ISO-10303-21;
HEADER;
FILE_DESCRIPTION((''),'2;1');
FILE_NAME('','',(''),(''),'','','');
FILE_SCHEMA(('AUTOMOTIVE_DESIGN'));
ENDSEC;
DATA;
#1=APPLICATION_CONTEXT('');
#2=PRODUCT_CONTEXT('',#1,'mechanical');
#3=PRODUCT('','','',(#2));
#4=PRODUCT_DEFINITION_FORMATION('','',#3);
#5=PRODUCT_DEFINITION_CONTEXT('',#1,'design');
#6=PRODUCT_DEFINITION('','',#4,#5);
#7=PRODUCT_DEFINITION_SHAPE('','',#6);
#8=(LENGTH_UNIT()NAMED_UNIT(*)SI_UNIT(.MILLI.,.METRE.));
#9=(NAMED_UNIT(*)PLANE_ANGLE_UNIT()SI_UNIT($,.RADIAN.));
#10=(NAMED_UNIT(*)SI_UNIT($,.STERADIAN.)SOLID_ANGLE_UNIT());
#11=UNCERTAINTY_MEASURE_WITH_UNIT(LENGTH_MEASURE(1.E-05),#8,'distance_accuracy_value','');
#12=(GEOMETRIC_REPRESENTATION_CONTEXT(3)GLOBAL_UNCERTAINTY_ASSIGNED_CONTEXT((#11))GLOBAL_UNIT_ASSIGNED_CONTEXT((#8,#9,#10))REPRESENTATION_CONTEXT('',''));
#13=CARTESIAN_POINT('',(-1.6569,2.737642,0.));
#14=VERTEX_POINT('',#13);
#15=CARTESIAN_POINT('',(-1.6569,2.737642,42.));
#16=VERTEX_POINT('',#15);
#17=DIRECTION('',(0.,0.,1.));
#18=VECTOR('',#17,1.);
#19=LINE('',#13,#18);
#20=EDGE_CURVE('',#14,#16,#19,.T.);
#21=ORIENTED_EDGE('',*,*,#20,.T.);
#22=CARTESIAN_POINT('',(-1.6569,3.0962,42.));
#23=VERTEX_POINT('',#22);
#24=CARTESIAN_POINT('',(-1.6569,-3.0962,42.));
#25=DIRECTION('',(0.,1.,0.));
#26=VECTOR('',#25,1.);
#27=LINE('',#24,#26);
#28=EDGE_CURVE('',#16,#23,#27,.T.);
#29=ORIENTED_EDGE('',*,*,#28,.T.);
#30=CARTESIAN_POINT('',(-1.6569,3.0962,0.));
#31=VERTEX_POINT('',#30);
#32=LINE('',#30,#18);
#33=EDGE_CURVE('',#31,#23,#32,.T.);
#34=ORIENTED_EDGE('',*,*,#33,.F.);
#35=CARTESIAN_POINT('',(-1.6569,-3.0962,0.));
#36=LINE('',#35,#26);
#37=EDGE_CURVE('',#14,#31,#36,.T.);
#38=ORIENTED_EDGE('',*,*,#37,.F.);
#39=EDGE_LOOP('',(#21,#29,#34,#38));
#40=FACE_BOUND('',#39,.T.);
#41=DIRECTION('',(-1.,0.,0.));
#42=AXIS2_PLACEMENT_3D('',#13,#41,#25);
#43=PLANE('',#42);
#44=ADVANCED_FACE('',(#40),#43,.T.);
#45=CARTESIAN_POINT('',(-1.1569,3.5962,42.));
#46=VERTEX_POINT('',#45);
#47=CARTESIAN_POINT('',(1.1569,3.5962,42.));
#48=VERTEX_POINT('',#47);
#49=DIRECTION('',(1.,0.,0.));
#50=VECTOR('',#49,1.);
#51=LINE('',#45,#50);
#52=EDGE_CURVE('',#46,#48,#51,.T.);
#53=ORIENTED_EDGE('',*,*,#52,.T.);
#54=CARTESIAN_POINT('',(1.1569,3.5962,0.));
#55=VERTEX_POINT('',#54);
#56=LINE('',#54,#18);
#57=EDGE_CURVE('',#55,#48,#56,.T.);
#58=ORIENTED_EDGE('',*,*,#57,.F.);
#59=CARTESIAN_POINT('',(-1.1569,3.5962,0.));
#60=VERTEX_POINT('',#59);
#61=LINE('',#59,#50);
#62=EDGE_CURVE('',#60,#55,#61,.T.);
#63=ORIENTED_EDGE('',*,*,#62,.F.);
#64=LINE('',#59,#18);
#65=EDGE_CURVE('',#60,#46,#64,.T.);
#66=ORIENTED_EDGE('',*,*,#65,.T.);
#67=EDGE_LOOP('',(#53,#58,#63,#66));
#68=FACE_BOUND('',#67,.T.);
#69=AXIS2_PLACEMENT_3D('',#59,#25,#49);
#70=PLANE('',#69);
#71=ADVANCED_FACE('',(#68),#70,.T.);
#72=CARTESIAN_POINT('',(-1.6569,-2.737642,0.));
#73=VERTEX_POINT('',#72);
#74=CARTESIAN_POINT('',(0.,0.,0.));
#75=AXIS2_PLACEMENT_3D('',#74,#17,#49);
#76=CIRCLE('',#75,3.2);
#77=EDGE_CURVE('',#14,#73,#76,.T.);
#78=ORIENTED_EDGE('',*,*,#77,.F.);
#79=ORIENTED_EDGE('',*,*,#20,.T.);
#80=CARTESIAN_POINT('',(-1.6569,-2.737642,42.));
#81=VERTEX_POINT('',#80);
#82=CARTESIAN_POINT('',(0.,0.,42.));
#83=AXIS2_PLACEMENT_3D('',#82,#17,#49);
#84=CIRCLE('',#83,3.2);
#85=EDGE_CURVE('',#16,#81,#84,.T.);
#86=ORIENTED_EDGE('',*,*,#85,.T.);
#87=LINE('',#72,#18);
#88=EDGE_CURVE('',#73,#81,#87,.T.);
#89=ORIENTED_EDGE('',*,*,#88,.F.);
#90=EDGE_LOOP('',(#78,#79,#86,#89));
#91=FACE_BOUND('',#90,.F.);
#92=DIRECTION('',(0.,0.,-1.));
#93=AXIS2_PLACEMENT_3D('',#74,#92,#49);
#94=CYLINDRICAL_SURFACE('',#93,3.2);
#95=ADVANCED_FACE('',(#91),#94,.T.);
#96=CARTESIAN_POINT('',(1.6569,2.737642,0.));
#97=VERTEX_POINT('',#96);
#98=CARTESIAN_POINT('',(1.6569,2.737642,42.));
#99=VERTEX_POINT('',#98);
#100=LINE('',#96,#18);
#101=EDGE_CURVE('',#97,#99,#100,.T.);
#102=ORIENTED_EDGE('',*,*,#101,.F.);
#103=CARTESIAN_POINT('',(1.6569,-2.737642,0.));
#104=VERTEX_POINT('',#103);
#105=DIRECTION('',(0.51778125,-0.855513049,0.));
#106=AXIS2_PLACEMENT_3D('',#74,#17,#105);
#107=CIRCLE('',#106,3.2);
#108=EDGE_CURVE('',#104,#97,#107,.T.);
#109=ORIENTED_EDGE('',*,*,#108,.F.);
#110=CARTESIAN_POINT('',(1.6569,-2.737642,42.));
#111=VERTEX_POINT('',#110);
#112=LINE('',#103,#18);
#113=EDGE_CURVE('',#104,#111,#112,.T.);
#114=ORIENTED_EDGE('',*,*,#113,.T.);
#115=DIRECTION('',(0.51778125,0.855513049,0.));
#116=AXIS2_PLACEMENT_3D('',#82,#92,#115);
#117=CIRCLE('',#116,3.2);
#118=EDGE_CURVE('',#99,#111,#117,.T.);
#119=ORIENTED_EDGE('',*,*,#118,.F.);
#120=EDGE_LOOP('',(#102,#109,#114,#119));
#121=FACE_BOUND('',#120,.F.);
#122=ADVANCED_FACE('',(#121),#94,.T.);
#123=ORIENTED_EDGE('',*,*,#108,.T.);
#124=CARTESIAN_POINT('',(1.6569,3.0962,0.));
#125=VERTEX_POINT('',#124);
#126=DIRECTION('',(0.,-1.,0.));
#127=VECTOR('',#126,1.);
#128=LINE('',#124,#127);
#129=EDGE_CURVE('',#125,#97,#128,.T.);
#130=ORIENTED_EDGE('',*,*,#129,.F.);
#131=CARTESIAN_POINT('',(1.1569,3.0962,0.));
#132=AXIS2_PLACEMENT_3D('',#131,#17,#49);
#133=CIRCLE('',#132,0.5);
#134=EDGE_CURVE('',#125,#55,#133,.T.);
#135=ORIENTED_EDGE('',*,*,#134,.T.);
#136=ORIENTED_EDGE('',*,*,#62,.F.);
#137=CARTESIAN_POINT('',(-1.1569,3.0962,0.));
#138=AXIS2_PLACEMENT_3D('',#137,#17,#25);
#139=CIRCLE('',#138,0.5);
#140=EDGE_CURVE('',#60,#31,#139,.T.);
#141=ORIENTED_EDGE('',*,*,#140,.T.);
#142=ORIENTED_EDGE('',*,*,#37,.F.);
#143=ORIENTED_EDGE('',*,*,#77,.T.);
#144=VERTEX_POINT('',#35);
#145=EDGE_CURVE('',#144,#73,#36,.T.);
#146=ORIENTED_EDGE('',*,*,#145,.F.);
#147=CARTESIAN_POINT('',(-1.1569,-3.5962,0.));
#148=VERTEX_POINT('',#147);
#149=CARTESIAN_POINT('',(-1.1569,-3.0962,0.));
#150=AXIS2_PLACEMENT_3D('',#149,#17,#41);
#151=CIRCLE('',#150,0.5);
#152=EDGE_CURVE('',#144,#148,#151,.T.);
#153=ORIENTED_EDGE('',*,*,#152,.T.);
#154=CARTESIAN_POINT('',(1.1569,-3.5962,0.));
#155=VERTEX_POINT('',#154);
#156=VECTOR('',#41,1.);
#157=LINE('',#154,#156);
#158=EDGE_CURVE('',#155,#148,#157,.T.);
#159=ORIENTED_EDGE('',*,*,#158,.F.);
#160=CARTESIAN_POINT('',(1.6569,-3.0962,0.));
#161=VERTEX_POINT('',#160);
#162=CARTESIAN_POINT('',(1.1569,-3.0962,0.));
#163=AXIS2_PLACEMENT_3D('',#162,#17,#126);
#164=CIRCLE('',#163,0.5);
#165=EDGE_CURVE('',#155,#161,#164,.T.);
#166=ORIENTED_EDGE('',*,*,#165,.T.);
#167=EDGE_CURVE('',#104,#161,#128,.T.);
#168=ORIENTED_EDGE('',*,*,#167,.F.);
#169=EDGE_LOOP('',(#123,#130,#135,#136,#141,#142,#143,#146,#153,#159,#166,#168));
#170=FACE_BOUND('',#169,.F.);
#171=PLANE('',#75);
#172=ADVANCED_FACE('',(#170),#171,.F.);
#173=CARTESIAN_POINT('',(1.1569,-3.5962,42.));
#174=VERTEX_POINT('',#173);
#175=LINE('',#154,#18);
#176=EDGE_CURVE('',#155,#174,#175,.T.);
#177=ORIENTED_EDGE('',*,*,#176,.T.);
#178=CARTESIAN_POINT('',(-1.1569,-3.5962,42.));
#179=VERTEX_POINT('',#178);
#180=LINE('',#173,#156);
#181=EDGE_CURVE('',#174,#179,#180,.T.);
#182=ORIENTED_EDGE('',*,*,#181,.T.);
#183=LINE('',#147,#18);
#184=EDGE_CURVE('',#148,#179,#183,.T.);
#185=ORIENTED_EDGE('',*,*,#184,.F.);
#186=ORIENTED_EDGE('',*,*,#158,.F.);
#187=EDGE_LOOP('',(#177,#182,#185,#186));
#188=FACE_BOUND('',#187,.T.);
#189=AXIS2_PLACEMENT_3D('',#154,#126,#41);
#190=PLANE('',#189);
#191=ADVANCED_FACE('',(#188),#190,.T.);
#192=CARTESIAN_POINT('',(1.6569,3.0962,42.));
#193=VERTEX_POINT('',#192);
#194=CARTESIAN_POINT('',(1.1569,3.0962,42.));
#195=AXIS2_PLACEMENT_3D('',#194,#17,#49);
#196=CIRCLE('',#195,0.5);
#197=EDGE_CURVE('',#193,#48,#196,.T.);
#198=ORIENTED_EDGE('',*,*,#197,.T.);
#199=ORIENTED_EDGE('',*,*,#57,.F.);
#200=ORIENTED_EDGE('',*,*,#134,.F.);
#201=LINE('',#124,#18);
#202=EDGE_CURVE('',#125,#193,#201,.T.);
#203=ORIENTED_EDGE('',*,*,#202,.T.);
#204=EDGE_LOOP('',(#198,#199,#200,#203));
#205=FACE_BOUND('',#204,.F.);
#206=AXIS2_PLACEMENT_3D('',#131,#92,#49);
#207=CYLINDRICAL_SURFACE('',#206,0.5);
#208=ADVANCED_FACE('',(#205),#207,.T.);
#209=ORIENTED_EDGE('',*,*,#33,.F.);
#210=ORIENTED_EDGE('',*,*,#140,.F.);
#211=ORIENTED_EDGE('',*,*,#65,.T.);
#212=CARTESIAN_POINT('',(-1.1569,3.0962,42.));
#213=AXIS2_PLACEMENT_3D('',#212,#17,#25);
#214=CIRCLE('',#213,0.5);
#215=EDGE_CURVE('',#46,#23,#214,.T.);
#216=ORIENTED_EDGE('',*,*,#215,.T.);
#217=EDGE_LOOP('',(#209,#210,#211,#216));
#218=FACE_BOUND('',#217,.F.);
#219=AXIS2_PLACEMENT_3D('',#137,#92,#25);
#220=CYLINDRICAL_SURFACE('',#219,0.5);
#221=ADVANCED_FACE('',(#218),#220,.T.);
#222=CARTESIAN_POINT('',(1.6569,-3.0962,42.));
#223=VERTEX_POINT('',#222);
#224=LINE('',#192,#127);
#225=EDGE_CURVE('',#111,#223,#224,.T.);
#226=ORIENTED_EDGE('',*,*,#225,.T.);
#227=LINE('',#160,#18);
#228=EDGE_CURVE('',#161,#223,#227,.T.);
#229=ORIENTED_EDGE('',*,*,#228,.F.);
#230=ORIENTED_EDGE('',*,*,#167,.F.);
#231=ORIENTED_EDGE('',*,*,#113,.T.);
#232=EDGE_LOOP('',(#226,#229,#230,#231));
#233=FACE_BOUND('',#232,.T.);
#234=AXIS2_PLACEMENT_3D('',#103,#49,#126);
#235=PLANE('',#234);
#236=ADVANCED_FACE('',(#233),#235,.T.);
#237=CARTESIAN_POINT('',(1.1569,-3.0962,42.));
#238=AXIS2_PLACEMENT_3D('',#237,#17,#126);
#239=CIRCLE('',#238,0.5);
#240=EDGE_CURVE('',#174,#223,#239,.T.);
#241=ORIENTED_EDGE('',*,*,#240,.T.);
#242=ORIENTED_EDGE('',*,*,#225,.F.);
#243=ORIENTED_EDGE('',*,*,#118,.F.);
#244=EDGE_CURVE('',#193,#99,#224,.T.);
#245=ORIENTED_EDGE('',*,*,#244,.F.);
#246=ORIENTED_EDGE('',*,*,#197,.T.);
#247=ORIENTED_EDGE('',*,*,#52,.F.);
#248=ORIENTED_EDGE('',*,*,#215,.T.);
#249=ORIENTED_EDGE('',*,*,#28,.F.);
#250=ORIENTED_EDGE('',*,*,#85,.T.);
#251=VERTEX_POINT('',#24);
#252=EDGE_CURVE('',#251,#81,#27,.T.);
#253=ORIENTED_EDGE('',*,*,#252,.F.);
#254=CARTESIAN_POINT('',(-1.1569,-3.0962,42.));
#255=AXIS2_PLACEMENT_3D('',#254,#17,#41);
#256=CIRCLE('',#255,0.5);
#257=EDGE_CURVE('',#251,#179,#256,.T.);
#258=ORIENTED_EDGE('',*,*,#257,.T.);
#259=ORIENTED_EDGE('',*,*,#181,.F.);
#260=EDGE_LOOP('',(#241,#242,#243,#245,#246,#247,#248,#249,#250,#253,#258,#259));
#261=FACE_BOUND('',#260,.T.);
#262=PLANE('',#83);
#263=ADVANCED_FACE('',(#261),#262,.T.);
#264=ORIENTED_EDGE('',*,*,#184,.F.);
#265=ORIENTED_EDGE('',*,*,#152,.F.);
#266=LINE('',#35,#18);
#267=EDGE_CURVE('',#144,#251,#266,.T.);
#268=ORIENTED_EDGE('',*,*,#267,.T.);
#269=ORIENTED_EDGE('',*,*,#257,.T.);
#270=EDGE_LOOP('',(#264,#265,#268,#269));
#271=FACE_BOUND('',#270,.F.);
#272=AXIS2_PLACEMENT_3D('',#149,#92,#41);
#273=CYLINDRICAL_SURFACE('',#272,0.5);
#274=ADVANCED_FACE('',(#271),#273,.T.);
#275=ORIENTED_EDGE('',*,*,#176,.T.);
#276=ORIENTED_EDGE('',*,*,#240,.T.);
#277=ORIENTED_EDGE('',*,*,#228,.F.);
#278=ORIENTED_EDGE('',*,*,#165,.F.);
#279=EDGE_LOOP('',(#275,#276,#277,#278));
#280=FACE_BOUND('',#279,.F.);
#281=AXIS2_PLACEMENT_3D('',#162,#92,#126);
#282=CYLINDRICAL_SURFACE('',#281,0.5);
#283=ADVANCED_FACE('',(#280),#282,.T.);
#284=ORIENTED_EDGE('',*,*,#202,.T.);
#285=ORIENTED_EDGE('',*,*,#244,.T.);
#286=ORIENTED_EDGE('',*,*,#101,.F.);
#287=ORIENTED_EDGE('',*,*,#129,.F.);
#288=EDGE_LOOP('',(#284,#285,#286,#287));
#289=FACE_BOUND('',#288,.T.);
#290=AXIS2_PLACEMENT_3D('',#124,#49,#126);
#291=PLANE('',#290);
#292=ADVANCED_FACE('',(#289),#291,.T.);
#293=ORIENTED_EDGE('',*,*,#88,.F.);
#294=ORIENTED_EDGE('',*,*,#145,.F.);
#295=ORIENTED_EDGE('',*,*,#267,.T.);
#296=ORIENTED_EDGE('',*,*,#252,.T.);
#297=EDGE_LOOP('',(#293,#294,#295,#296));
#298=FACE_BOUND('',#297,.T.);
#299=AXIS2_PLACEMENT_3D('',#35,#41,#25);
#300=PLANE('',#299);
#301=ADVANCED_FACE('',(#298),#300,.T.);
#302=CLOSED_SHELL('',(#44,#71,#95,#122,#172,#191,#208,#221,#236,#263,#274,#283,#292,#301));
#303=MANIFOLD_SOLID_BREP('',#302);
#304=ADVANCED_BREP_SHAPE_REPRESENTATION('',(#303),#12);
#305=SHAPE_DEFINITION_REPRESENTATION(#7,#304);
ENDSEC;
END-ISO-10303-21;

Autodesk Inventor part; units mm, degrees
ref_plane "YZ Plane" through (0, 0, 0) normal (1, 0, 0) x (0, 1, 0)
ref_plane "XZ Plane" through (0, 0, 0) normal (0, 1, 0) x (-1, 0, 0)
ref_plane "XY Plane" through (0, 0, 0) normal (0, 0, 1) x (1, 0, 0)
sketch "Sketch1" plane through (0, 0, 0) normal (0, 0, 1) x (1, 0, 0)
  circle A0 centre (0, 0) radius 3.2
  line L0 (1.1569, -3.5962) -> (-1.1569, -3.5962)
  line L1 (-1.6569, -3.0962) -> (-1.6569, 3.0962)
  line L2 (-1.1569, 3.5962) -> (1.1569, 3.5962)
  line L3 (1.6569, 3.0962) -> (1.6569, -3.0962)
  line L4 (1.6569, -3.5962) -> (-1.6569, 3.5962) construction
  line L5 (-1.6569, -3.5962) -> (1.6569, 3.5962) construction
  arc A1 (-1.1569, 3.5962) -> (-1.6569, 3.0962) centre (-1.1569, 3.0962) ccw
  arc A2 (1.6569, 3.0962) -> (1.1569, 3.5962) centre (1.1569, 3.0962) ccw
  arc A3 (1.1569, -3.5962) -> (1.6569, -3.0962) centre (1.1569, -3.0962) ccw
  arc A4 (-1.6569, -3.0962) -> (-1.1569, -3.5962) centre (-1.1569, -3.0962) ccw
  point P0 (-1.6569, 3.5962)
  point P1 (1.6569, 3.5962)
  point P2 (1.6569, -3.5962)
  point P3 (1.6569, -3.5962)
  point P4 (1.6569, 2.7377)
  point P5 (-1.6569, 2.7377)
  point P6 (-1.6569, -2.7377)
  point P7 (1.6569, -2.7377)
  point P8 (-1.6569, 3.5962)
  point P9 (-1.6569, 3.5962)
  point P10 (1.6569, 3.5962)
  point P11 (1.6569, -3.5962)
  point P12 (1.6569, -3.5962)
  point P13 (-1.6569, -3.5962)
  dimension "d0" = 6.4
  dimension "d1" = 7.1923
  dimension "d2" = 3.3137
  dimension "d7" = 0.5
extrude "Extrusion1" add sketch "Sketch1" along normal blind 42
equation "\"d0\" = D_inreRing_i - d_toleransAxel"
equation "\"d7\" = r_filletAxel"
equation "\"d4\" = h_axel"
equation "\"d_toleransAxel\" = 0.1"
equation "\"h_axel\" = 42"
equation "\"D_inreRing_i\" = 6.5"
equation "\"r_filletAxel\" = 0.5"
properties part number "Axel_parametriserad_02"
